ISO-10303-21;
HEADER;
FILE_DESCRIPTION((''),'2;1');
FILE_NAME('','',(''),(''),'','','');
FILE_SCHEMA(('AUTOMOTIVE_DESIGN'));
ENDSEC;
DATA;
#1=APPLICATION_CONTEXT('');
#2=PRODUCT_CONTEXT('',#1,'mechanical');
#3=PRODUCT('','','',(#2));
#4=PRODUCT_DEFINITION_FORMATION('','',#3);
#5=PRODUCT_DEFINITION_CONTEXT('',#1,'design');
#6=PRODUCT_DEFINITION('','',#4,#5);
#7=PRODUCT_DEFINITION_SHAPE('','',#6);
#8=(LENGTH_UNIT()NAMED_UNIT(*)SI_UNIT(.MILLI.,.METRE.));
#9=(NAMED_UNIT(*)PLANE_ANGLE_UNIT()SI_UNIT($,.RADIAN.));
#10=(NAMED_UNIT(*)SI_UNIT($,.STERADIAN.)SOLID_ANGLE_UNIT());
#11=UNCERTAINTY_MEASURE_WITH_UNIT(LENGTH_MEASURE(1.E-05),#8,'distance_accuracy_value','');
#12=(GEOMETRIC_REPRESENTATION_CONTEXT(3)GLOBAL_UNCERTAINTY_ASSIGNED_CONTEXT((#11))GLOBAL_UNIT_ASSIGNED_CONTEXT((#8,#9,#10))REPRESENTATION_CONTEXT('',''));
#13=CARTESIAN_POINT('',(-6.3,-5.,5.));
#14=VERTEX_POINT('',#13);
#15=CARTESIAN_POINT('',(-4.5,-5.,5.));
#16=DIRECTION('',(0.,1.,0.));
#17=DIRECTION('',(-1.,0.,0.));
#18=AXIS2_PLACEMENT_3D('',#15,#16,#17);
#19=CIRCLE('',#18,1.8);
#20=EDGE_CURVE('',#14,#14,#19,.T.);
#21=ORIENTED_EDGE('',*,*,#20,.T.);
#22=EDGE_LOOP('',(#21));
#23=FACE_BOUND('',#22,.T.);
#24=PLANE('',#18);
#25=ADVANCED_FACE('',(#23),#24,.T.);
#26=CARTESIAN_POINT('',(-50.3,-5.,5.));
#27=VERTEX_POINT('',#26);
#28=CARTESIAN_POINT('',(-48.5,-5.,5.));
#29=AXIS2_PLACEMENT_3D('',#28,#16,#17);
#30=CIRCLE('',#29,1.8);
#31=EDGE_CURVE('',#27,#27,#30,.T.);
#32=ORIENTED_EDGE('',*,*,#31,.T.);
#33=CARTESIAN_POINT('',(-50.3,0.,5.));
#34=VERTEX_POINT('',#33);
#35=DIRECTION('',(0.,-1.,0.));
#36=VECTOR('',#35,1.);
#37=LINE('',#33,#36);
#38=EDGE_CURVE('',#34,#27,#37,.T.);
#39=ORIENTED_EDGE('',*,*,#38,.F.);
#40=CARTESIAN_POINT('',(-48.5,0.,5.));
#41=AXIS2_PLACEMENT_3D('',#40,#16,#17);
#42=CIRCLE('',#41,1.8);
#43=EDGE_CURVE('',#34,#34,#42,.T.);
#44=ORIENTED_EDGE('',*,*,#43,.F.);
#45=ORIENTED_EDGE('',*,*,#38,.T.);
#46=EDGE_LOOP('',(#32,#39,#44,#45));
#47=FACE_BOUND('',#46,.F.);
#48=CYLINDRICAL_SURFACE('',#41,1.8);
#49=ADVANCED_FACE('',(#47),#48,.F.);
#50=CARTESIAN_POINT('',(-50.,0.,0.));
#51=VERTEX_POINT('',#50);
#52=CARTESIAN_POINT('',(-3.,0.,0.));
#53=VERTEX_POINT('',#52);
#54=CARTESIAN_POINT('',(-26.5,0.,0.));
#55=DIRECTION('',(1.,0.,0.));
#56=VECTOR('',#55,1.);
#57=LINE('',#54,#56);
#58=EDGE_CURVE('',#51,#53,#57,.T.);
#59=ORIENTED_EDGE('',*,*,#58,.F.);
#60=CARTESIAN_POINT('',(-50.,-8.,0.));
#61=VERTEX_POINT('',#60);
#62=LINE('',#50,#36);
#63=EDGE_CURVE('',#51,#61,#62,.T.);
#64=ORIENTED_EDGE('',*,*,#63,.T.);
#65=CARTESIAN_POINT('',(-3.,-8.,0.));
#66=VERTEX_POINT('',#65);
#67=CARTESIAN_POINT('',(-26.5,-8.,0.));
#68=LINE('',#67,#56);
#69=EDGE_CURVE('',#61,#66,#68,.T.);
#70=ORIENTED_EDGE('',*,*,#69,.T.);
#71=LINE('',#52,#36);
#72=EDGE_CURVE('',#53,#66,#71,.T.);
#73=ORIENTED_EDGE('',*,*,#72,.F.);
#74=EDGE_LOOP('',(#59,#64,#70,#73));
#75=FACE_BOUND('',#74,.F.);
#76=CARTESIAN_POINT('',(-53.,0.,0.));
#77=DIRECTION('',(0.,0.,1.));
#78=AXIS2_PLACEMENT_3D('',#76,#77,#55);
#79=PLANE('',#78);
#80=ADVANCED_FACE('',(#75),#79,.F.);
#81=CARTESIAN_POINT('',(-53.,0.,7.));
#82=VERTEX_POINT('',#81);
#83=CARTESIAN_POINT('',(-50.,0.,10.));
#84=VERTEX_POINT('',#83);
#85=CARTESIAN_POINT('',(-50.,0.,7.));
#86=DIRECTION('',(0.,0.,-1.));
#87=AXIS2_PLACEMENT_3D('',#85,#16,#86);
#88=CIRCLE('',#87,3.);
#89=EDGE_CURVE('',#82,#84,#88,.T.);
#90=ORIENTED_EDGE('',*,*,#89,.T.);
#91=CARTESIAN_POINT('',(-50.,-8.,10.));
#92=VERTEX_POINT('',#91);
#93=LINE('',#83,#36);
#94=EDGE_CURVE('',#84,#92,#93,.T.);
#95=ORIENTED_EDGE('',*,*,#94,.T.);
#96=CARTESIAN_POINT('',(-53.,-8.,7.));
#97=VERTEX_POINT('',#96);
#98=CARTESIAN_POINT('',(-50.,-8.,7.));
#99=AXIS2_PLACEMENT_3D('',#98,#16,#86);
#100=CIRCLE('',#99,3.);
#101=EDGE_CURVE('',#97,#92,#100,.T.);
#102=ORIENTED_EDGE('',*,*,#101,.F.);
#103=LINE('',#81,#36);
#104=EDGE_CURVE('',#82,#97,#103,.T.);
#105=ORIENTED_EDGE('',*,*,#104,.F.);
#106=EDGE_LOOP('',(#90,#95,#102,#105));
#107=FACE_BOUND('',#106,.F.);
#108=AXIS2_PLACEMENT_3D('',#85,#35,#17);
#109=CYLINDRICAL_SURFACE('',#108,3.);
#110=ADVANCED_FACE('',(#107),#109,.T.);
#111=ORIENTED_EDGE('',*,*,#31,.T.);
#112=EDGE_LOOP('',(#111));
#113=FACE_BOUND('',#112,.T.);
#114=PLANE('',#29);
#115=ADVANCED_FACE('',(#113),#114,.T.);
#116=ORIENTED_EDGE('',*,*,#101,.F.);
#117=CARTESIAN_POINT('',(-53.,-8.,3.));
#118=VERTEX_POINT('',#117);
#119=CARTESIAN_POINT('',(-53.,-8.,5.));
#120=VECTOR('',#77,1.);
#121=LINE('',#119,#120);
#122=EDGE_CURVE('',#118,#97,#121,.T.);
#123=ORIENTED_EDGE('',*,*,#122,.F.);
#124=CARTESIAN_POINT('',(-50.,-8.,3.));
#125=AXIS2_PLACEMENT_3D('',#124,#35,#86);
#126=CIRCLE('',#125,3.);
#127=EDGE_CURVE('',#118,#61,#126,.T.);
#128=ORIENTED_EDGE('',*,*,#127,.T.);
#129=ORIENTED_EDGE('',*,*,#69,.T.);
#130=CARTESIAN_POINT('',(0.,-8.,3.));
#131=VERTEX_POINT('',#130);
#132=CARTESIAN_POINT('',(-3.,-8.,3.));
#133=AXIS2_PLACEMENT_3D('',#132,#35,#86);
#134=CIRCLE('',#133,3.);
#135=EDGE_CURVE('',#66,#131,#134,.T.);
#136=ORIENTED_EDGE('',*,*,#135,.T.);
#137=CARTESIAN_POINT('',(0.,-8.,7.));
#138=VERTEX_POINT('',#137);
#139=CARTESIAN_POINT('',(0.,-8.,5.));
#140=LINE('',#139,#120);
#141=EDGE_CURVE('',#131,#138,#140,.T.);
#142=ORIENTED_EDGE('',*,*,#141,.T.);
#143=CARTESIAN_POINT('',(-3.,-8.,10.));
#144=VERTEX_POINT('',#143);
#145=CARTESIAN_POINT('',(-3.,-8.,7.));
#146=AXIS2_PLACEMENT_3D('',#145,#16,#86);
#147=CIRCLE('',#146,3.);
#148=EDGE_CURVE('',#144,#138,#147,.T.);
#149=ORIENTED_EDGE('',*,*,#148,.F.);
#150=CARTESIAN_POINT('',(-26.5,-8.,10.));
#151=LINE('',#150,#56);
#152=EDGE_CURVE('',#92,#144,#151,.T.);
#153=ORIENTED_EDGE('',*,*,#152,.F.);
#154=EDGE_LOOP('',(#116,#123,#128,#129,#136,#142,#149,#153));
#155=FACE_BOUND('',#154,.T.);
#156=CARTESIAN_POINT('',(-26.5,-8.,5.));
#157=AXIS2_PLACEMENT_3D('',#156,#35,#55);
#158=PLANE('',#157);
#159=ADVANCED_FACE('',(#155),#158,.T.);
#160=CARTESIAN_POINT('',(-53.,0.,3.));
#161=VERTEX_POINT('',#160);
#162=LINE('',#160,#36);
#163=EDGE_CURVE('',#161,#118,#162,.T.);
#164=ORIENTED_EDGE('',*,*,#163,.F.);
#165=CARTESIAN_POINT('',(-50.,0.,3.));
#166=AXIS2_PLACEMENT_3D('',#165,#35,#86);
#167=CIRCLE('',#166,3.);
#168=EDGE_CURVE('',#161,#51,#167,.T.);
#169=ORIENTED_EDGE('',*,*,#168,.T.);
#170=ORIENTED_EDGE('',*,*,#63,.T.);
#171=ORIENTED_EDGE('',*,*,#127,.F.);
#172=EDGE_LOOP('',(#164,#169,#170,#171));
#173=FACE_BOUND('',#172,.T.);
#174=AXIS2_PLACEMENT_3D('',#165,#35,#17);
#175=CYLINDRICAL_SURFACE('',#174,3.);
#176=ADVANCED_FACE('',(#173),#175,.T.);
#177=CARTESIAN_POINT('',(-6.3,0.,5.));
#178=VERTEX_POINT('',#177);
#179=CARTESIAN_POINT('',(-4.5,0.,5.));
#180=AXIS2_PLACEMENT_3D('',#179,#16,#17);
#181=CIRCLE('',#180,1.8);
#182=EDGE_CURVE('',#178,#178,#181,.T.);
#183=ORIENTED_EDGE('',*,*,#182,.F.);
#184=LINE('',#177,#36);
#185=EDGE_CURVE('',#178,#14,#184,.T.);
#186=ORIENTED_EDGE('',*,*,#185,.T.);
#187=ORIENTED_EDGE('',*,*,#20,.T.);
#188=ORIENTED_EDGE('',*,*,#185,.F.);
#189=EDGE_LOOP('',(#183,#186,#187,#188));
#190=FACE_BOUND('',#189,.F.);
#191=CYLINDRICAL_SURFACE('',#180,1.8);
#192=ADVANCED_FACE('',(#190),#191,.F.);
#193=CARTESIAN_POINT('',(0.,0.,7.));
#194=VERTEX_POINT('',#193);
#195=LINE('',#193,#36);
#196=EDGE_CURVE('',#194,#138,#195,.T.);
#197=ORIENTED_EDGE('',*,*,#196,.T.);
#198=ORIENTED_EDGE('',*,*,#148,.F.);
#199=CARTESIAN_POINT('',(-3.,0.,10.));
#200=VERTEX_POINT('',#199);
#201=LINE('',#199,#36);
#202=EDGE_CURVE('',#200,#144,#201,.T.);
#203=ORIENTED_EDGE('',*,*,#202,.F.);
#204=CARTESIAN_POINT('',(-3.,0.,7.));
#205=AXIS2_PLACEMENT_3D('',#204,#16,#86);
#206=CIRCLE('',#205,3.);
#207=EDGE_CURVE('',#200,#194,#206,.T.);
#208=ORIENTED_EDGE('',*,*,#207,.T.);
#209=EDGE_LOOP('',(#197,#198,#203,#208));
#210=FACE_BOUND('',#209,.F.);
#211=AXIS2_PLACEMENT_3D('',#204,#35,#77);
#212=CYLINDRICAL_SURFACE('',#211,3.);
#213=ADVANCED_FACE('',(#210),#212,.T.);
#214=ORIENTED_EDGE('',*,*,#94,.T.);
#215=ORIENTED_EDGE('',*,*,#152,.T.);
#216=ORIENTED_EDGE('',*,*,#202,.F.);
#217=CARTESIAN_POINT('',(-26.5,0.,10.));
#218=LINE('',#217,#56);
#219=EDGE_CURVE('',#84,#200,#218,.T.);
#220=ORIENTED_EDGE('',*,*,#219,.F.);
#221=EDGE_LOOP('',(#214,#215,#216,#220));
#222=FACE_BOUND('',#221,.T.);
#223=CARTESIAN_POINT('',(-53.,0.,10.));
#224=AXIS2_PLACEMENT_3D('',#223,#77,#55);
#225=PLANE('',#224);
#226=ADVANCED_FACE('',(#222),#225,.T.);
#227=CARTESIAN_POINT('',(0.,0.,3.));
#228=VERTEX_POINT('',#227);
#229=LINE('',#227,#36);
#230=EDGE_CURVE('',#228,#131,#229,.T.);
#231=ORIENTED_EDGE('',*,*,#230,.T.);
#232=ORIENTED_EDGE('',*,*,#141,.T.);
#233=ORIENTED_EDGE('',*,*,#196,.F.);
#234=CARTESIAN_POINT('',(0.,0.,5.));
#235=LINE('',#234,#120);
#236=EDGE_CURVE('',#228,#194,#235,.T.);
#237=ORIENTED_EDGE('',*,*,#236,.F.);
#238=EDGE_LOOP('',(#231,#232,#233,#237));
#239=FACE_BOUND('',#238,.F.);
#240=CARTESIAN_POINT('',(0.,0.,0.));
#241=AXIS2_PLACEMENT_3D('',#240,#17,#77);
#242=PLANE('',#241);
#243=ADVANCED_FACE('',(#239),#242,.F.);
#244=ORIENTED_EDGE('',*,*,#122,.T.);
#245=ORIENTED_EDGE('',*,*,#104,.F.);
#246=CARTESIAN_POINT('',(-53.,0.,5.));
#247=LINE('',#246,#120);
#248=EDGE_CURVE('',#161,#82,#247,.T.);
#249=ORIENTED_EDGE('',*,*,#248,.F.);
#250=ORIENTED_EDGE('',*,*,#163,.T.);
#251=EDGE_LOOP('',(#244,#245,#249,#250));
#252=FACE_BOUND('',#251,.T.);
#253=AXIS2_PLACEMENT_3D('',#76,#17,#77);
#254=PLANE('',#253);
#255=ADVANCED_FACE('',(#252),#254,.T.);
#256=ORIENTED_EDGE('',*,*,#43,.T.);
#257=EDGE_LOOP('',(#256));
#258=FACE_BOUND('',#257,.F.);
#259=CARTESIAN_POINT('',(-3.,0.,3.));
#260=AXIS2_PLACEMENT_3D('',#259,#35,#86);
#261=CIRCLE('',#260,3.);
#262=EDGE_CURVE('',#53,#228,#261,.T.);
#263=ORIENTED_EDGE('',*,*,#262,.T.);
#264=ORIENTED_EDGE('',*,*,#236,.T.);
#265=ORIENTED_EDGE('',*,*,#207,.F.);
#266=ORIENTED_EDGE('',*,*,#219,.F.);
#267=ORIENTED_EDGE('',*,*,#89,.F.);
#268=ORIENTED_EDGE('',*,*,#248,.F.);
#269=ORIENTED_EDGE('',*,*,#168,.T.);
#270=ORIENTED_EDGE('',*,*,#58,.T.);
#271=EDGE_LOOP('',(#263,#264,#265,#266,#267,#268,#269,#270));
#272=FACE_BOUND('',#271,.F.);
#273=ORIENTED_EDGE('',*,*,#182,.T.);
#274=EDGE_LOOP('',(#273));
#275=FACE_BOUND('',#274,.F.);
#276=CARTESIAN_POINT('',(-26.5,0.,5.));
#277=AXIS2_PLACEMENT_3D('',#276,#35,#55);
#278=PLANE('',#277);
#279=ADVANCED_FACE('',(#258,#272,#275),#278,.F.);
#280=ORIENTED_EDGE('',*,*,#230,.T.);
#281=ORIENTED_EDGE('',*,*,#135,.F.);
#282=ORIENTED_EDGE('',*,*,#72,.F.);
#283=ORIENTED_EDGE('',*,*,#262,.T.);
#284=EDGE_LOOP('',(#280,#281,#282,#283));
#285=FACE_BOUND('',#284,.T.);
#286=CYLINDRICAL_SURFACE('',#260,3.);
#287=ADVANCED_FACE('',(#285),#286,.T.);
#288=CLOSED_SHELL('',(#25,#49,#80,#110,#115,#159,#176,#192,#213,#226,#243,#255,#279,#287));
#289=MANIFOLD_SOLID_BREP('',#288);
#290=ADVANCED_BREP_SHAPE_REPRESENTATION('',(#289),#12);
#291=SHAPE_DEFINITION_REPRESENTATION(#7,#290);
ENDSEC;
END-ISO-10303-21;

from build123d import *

# Parameters (mm, degrees)
F0_W     = 53
F0_H     = 10
F0_R     = 1.8
F1_DEPTH = 8
F2_R     = 1.8
F3_DEPTH = 5
F4_R     = 3


with BuildPart() as f1:
    # F0 (on Front) → F1 (new body)
    with BuildSketch(Plane.XZ):
        with Locations((-26.5, 5)):
            Rectangle(F0_W, F0_H)
        with Locations((-48.5, 5)):
            Circle(F0_R, mode=Mode.SUBTRACT)
        with Locations((-4.5, 5)):
            Circle(F0_R, mode=Mode.SUBTRACT)
        with Locations((-48.5, 5)):
            Circle(F0_R)
        with Locations((-4.5, 5)):
            Circle(F0_R)
    extrude(amount=F1_DEPTH)

    # F2 (on face) → F3 (cut)
    with BuildSketch(Plane(origin=(0, 0, 0), x_dir=(-1, 0, 0), z_dir=(0, 1, 0))):
        with Locations((4.5, 5)):
            Circle(F2_R)
        with Locations((48.5, 5)):
            Circle(F2_R)
    extrude(amount=-F3_DEPTH, mode=Mode.SUBTRACT)

    # F4
    f4_edges = [f1.edges().sort_by_distance(p)[0] for p in [
        (0, -4, 10),
        (0, -4, 0),
        (-53, -4, 10),
        (-53, -4, 0),
    ]]
    fillet(f4_edges, radius=F4_R)


solid = f1.part
